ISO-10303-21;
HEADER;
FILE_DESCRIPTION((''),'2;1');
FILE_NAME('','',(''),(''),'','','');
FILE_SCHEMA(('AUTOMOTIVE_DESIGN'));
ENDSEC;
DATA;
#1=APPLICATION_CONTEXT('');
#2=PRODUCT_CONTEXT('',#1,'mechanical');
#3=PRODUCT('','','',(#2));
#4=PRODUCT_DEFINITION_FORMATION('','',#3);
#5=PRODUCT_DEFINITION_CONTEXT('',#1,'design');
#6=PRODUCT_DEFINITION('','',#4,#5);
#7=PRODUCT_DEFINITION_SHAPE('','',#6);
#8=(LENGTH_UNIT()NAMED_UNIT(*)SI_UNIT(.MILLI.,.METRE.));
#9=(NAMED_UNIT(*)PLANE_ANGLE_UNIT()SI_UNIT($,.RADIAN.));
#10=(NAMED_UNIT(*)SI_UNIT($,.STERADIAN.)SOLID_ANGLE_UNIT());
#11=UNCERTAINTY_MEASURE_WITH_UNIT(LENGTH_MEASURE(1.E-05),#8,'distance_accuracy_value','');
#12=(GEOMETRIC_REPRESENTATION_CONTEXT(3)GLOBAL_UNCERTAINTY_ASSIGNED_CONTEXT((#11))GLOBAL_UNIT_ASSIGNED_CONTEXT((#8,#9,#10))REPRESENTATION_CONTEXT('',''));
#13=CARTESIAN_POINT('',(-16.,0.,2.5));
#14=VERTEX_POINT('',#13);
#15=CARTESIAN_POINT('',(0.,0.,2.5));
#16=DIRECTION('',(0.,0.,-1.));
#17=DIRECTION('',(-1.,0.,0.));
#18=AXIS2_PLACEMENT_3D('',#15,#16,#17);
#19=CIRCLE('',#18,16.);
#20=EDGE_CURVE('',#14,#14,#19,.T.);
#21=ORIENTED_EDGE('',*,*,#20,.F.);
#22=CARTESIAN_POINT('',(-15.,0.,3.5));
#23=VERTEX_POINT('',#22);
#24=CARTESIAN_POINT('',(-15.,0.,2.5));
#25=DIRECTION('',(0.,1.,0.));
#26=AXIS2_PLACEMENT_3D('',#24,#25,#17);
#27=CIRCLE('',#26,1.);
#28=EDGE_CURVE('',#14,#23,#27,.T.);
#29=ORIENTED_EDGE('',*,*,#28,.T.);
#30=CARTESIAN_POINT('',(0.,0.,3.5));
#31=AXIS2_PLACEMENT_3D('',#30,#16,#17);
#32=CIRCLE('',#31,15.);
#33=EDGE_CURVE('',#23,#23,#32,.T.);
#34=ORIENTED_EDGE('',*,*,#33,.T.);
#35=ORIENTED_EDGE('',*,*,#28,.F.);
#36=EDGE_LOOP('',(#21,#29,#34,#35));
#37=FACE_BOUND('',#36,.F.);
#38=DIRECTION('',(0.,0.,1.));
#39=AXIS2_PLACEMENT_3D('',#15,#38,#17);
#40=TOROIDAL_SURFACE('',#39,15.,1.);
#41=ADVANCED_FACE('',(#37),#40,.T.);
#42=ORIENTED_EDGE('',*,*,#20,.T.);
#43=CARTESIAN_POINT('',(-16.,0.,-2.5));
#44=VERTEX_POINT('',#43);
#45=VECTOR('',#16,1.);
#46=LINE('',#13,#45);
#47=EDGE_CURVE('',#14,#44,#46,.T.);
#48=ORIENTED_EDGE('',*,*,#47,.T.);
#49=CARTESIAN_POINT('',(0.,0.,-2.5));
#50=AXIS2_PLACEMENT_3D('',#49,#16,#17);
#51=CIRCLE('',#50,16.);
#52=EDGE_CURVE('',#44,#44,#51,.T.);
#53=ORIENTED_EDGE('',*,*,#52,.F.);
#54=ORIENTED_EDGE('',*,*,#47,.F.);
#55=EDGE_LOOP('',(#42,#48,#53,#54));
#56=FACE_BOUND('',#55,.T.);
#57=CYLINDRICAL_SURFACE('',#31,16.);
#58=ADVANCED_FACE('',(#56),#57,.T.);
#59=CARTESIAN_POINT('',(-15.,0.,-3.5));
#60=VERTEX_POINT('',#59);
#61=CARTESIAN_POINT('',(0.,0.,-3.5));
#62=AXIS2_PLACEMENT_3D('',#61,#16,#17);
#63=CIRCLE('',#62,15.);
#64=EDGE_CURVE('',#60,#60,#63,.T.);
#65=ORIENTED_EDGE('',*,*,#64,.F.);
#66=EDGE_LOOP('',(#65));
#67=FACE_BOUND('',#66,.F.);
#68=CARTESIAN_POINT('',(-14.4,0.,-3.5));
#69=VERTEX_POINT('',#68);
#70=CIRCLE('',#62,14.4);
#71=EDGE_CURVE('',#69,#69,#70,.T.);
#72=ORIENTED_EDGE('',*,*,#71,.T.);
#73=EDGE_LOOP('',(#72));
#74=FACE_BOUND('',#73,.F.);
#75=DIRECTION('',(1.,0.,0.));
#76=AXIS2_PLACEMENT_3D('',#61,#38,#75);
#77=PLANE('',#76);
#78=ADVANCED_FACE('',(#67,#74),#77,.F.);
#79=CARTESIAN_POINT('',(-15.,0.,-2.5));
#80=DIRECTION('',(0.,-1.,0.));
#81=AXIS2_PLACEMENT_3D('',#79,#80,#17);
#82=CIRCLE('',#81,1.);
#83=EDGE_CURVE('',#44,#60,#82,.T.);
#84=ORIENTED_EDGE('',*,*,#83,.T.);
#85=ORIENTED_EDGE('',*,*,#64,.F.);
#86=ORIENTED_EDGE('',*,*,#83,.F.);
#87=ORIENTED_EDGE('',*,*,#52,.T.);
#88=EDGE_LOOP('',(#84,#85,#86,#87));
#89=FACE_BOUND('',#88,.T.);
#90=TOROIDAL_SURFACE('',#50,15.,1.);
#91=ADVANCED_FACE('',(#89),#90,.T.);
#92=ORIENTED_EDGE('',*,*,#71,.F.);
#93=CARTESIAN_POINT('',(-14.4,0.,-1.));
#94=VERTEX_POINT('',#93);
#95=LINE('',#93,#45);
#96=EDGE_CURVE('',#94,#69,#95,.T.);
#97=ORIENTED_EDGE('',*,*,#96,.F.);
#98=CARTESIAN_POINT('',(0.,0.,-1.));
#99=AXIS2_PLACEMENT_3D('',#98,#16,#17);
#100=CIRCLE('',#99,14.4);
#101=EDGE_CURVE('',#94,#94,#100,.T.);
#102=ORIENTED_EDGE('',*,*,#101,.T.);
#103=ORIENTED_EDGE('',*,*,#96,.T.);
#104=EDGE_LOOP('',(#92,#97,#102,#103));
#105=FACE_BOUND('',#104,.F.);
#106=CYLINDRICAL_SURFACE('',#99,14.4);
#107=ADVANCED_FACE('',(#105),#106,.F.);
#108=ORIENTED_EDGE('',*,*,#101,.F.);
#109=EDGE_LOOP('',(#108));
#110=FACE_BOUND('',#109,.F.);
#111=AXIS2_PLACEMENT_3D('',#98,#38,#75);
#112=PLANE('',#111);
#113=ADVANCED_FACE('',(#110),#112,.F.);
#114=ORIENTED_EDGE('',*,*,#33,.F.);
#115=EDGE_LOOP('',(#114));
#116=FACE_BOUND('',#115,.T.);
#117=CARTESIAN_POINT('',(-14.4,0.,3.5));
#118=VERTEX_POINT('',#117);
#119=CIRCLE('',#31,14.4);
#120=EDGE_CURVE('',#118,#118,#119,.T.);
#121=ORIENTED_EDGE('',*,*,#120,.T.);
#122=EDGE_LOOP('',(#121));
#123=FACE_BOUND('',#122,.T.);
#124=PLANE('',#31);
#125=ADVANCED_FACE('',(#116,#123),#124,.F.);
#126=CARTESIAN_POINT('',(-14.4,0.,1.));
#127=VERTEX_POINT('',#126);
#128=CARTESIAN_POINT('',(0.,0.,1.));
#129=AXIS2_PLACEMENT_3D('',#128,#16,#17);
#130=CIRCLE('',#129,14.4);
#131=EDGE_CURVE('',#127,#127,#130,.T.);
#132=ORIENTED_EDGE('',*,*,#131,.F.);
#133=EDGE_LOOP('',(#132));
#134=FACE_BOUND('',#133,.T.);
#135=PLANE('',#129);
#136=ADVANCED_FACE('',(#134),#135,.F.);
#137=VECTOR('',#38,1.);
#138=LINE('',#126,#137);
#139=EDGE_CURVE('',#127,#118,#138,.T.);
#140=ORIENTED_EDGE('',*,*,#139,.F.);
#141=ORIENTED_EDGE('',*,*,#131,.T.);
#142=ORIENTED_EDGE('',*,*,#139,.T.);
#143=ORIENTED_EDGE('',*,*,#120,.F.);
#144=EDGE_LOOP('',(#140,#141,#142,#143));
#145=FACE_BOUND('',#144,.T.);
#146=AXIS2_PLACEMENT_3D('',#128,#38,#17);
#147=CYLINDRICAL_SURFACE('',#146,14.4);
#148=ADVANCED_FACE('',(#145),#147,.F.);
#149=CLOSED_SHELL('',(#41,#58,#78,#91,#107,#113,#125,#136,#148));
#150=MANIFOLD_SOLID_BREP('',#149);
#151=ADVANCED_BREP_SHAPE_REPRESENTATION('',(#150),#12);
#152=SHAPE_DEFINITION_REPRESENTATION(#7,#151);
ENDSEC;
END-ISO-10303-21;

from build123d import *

# Parameters (mm, degrees)
F3_R = 1
F4_R = 1


with BuildPart() as f1:
    # F0 (on Front) → F1 (revolve)
    with BuildSketch(Plane.XZ):
        Polygon((-16, 0), (0, 0), (0, 1), (-14.4, 1), (-14.4, 3.5), (-16, 3.5), align=None)
    revolve(axis=Axis((0, 0, -1.1237002909), (0, 0, -1)))

    # F2: F1 across plane


with BuildPart() as f1_1:
    add(f1.part)
    add(f1.part.mirror(Plane.XY))

    # F3
    f3_edges = [f1_1.edges().sort_by_distance(p)[0] for p in [
        (16, 0, 3.5),
    ]]
    fillet(f3_edges, radius=F3_R)

    # F4
    f4_edges = [f1_1.edges().sort_by_distance(p)[0] for p in [
        (16, 0, -3.5),
    ]]
    fillet(f4_edges, radius=F4_R)


solid = f1_1.part
